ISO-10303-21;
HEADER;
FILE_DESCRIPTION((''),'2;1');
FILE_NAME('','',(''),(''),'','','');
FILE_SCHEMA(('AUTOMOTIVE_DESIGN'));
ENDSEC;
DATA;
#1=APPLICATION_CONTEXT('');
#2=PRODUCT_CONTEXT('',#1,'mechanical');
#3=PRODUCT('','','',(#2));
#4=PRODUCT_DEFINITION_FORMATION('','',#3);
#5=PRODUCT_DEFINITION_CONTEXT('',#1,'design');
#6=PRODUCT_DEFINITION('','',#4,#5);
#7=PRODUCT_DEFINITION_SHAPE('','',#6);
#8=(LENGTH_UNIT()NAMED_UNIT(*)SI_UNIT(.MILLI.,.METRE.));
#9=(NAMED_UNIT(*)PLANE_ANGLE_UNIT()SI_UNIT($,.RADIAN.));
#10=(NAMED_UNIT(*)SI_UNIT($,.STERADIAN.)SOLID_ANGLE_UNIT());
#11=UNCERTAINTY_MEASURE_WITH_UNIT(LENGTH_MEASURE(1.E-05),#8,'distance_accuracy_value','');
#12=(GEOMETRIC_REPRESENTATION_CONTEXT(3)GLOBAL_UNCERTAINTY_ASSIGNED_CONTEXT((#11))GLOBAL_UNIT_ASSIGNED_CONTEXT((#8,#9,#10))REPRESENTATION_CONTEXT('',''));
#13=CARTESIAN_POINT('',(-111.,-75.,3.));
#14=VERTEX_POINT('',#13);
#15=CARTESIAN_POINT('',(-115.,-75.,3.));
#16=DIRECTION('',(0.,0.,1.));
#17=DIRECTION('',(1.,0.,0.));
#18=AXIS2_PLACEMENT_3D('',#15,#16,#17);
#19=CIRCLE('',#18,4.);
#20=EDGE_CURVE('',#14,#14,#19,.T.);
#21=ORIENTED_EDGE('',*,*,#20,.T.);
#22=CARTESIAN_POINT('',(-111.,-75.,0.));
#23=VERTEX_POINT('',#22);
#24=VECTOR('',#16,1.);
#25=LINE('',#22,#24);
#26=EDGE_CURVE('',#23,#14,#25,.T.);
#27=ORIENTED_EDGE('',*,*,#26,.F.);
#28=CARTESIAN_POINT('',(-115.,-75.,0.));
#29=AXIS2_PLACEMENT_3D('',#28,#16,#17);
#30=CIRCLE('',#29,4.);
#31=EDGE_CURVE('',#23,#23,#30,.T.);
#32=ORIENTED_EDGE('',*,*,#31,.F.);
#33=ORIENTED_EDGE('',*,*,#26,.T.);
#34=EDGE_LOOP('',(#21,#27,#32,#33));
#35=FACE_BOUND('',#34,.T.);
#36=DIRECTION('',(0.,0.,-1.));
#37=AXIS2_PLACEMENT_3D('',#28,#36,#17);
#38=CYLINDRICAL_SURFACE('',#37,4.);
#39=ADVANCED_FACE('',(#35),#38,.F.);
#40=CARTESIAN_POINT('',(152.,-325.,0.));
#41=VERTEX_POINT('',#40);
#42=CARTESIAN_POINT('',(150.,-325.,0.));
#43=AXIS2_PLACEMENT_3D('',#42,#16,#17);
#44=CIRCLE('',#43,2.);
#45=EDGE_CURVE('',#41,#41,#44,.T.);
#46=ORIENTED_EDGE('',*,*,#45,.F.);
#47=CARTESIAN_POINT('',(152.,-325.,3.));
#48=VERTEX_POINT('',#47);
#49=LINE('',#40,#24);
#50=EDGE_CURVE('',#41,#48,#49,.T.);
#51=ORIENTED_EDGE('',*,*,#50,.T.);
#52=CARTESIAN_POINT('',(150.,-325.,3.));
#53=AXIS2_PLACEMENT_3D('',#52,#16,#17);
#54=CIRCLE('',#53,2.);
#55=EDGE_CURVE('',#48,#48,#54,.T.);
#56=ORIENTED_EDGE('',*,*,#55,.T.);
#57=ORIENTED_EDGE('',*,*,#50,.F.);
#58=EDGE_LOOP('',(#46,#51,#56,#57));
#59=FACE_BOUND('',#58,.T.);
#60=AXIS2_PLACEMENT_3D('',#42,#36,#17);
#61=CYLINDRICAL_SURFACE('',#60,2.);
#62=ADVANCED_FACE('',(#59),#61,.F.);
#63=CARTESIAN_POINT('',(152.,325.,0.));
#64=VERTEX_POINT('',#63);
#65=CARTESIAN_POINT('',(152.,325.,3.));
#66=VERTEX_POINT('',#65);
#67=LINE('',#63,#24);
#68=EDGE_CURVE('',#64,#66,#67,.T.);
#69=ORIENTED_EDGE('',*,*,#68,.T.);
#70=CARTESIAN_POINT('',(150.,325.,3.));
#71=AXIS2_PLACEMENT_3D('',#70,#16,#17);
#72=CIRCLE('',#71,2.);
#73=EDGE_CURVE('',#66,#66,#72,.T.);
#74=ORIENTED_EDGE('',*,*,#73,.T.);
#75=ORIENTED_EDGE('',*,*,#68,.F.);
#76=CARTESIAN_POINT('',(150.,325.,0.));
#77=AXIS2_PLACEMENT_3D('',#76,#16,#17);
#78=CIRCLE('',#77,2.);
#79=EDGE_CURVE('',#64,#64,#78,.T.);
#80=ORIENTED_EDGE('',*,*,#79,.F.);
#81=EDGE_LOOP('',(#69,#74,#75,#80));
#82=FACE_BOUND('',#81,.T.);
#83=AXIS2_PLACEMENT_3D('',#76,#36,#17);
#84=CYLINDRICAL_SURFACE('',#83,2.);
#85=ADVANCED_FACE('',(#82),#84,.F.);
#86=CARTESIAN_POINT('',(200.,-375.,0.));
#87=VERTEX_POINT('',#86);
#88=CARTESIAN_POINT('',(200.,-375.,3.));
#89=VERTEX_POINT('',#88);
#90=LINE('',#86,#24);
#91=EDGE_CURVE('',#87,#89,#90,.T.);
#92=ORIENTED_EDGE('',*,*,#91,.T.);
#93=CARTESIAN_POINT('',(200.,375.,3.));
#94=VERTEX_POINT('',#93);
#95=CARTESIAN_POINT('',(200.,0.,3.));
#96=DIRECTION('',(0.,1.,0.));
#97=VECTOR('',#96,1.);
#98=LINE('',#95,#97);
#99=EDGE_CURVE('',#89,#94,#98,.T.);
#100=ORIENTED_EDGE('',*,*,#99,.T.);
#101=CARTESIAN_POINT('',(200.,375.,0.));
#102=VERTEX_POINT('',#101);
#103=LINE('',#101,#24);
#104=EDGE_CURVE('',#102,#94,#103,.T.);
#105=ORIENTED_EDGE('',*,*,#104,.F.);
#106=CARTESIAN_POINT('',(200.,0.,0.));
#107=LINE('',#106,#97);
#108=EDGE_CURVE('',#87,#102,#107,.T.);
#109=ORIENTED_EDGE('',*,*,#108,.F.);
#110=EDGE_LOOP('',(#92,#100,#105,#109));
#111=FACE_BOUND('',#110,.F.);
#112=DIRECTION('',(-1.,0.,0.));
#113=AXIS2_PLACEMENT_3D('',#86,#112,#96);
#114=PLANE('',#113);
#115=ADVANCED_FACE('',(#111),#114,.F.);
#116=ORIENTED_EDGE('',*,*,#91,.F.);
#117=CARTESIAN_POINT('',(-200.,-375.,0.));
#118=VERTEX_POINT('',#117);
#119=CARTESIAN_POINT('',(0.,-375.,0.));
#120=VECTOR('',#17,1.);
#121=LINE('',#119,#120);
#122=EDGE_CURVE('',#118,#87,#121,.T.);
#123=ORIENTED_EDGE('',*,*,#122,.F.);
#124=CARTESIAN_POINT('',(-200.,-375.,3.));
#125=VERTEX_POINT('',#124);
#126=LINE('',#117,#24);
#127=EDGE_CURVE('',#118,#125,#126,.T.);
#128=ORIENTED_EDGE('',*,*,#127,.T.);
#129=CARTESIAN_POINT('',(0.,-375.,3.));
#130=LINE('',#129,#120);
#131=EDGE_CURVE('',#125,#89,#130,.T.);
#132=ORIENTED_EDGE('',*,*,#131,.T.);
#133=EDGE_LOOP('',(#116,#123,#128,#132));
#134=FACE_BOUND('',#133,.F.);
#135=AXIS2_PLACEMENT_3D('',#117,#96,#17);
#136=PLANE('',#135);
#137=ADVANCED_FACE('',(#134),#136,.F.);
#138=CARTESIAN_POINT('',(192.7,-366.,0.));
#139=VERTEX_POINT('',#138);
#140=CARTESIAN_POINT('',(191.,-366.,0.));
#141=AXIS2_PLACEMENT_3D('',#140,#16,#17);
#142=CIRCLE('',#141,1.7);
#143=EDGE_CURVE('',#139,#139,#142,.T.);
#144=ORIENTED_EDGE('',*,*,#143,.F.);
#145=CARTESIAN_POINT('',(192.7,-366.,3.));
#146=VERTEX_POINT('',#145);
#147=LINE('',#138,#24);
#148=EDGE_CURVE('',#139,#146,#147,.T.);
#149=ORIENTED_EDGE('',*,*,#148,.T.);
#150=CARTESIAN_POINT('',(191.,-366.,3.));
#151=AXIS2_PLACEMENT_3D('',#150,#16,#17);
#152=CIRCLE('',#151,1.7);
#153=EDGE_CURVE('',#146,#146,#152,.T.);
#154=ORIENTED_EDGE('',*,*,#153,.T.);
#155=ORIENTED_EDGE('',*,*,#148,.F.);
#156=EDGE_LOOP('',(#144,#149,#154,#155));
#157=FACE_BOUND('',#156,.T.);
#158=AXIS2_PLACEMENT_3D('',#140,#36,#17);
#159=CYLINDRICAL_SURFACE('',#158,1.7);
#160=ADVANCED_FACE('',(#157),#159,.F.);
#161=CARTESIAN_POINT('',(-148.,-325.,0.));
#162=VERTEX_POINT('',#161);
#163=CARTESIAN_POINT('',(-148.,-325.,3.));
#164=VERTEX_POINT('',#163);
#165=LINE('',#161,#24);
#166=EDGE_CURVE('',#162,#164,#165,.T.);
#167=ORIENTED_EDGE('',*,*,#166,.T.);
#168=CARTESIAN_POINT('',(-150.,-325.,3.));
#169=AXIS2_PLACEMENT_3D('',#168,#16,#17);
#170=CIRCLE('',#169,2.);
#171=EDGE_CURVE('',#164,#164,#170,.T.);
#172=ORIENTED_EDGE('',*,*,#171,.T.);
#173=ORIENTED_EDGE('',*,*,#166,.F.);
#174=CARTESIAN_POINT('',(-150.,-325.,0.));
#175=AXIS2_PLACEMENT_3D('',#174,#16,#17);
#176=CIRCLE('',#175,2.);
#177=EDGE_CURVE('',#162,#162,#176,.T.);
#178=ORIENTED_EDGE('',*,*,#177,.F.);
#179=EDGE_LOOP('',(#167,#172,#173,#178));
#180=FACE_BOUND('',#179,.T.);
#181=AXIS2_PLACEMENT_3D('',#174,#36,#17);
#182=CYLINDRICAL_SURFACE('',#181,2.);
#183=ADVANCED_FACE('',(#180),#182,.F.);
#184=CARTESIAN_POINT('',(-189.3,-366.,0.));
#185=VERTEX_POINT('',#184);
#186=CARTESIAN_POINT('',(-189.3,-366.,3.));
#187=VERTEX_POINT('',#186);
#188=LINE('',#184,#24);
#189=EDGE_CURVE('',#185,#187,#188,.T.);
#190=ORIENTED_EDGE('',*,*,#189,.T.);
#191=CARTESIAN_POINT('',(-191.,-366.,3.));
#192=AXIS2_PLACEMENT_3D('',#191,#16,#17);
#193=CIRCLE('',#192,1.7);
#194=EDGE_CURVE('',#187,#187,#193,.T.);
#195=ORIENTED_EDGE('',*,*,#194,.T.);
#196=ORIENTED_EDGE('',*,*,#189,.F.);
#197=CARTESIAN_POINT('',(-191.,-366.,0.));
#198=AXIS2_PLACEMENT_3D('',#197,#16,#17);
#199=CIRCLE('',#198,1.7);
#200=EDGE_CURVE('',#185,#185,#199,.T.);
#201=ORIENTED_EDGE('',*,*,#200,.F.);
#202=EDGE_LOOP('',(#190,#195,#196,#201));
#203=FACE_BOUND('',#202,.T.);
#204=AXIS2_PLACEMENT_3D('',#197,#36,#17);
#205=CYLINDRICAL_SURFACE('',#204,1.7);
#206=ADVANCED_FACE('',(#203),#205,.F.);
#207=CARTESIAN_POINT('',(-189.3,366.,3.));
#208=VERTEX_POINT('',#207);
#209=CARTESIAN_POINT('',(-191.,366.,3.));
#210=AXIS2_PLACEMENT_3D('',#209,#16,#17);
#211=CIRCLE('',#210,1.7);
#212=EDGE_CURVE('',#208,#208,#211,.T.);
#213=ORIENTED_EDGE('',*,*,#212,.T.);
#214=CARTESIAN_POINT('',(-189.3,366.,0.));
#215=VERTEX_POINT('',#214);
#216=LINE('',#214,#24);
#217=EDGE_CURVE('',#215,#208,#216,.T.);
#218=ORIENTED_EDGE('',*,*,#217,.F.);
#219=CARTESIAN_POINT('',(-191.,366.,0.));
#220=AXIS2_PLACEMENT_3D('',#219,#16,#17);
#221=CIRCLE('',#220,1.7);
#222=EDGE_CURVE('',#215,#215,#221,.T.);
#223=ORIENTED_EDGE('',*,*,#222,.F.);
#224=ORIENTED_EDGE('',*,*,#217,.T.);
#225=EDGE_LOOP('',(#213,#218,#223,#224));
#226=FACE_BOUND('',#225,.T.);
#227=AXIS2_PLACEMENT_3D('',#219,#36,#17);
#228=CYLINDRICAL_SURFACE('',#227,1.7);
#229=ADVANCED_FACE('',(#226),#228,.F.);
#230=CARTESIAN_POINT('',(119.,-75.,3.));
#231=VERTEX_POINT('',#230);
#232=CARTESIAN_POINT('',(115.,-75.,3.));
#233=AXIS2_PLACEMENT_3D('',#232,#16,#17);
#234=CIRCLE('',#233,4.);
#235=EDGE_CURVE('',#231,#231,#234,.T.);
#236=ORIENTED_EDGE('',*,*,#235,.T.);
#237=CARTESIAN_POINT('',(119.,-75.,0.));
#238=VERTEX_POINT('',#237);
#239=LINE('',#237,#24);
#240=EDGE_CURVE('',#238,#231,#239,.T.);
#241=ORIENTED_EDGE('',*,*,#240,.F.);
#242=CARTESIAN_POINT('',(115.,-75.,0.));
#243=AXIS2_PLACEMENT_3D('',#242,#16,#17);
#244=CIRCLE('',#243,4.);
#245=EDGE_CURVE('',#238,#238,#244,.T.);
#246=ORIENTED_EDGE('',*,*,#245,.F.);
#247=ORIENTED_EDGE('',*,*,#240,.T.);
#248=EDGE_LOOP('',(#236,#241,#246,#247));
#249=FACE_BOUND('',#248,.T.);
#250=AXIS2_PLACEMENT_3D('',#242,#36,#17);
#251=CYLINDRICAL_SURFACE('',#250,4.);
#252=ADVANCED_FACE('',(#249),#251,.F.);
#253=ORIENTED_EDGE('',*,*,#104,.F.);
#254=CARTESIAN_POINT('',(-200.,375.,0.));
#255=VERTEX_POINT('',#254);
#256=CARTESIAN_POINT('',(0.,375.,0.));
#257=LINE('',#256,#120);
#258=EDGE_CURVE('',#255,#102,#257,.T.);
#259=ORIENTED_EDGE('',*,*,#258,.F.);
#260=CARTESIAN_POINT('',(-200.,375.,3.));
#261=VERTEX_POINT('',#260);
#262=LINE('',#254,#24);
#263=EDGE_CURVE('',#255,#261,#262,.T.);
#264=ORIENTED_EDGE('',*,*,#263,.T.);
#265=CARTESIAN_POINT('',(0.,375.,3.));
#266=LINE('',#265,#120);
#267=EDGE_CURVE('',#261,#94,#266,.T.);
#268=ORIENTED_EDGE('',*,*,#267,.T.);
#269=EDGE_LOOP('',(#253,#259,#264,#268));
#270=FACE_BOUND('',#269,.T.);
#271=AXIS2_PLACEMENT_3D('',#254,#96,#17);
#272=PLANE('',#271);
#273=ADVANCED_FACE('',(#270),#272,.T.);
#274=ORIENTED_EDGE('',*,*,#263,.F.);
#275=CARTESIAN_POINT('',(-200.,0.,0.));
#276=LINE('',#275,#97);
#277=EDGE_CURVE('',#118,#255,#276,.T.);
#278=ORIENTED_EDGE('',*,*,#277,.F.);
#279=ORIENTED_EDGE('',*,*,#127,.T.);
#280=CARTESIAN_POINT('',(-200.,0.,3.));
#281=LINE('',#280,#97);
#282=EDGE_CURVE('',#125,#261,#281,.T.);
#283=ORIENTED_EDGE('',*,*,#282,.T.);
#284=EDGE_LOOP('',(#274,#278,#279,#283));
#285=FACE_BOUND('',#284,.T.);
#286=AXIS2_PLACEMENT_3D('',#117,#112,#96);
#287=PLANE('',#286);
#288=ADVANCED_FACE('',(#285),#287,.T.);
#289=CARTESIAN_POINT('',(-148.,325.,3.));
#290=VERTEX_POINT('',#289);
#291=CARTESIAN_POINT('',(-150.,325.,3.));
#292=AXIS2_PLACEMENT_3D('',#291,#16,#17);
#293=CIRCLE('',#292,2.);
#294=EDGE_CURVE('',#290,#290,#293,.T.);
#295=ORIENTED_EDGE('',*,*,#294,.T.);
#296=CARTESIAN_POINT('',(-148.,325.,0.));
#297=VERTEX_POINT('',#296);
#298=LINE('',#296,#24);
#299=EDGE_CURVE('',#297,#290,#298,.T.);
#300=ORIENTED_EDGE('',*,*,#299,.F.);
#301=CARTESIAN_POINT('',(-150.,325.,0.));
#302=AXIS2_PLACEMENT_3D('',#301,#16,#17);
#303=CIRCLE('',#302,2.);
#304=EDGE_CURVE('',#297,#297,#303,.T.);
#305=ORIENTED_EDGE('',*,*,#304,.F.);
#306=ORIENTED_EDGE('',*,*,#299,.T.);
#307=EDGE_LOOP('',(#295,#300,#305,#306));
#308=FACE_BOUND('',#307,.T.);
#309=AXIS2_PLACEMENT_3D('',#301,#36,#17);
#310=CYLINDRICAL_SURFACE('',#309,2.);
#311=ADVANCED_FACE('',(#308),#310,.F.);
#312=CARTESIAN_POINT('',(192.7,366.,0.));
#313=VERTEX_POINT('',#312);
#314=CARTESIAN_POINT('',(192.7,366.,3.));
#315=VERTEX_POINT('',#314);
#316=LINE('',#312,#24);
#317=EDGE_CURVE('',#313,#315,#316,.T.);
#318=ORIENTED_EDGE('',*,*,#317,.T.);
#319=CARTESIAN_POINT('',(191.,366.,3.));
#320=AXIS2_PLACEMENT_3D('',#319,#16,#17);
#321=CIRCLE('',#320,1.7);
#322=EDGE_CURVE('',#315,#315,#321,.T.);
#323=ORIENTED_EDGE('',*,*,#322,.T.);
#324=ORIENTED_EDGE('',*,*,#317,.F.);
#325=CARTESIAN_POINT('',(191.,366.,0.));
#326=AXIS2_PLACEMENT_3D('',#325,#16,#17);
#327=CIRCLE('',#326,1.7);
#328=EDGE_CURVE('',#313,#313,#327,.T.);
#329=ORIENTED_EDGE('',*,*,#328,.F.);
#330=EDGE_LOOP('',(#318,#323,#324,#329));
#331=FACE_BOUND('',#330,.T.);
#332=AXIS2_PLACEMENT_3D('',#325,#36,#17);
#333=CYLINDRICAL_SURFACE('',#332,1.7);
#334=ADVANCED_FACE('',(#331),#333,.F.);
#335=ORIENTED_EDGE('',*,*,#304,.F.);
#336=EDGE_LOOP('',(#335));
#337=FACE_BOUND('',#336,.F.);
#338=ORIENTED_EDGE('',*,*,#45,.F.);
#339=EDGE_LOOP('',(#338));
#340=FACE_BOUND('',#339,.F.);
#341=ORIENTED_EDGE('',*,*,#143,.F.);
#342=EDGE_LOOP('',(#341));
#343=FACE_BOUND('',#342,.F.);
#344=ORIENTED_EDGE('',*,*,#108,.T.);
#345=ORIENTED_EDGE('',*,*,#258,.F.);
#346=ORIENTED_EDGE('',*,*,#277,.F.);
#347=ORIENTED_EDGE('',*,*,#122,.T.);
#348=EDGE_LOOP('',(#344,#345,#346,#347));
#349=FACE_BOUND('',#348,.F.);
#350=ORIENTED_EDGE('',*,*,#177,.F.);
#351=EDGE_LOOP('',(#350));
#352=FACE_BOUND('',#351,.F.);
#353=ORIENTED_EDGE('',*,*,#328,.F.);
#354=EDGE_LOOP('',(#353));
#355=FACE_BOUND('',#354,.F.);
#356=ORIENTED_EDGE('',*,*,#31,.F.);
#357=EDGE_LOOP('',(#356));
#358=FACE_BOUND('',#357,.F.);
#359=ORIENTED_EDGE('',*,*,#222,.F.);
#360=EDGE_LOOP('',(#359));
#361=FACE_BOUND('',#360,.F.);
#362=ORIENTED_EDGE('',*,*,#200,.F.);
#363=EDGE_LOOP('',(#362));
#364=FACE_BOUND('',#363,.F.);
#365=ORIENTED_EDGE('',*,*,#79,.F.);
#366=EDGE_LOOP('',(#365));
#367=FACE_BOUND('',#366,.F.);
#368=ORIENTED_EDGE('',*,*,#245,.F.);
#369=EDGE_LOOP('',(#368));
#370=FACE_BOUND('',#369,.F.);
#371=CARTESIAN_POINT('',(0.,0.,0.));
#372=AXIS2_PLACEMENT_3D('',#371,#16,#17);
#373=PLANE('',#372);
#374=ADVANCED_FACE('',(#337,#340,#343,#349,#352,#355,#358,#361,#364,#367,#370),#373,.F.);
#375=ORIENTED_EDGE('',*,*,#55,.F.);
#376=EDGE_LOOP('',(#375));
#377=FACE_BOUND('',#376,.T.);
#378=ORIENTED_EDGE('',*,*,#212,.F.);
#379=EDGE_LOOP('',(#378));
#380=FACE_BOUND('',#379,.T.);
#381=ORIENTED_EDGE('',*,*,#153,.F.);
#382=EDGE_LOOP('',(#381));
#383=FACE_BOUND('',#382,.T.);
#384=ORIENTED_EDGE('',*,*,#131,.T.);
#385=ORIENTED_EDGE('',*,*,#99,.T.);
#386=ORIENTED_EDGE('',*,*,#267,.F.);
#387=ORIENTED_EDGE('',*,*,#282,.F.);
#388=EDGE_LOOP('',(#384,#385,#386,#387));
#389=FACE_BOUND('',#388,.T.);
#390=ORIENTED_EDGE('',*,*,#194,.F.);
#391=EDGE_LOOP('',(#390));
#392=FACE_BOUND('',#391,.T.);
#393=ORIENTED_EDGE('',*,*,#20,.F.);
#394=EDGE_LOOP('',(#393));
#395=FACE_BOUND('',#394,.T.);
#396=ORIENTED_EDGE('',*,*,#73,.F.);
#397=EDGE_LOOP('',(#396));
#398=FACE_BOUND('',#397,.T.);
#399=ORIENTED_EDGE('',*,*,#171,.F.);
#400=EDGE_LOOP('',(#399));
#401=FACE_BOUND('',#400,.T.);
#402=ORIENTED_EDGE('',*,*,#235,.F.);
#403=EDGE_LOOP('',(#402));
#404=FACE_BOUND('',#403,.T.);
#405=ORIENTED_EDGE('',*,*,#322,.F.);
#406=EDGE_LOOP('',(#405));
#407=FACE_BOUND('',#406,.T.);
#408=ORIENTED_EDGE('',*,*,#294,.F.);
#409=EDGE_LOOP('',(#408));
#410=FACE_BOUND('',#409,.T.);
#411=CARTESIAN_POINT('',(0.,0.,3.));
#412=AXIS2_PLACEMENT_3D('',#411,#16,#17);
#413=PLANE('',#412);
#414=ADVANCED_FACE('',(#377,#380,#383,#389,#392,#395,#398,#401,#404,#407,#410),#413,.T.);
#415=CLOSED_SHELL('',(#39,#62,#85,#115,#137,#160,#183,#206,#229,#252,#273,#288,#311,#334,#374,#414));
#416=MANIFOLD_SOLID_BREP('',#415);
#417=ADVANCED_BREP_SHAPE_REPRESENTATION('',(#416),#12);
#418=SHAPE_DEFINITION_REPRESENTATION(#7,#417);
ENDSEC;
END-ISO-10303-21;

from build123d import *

# Parameters (mm, degrees)
F0_W     = 400
F0_H     = 750
F0_R     = 1.7
F0_R_2   = 2
F0_R_3   = 4
F1_DEPTH = 3


with BuildPart() as f1:
    # F0 (on Top) → F1 (new body)
    with BuildSketch(Plane.XY):
        Rectangle(F0_W, F0_H)
        with Locations((-191, -366)):
            Circle(F0_R, mode=Mode.SUBTRACT)
        with Locations((-150, -325)):
            Circle(F0_R_2, mode=Mode.SUBTRACT)
        with Locations((-115, -75)):
            Circle(F0_R_3, mode=Mode.SUBTRACT)
        with Locations((191, -366)):
            Circle(F0_R, mode=Mode.SUBTRACT)
        with Locations((150, -325)):
            Circle(F0_R_2, mode=Mode.SUBTRACT)
        with Locations((115, -75)):
            Circle(F0_R_3, mode=Mode.SUBTRACT)
        with Locations((-191, 366)):
            Circle(F0_R, mode=Mode.SUBTRACT)
        with Locations((-150, 325)):
            Circle(F0_R_2, mode=Mode.SUBTRACT)
        with Locations((150, 325)):
            Circle(F0_R_2, mode=Mode.SUBTRACT)
        with Locations((191, 366)):
            Circle(F0_R, mode=Mode.SUBTRACT)
    extrude(amount=F1_DEPTH)


solid = f1.part
